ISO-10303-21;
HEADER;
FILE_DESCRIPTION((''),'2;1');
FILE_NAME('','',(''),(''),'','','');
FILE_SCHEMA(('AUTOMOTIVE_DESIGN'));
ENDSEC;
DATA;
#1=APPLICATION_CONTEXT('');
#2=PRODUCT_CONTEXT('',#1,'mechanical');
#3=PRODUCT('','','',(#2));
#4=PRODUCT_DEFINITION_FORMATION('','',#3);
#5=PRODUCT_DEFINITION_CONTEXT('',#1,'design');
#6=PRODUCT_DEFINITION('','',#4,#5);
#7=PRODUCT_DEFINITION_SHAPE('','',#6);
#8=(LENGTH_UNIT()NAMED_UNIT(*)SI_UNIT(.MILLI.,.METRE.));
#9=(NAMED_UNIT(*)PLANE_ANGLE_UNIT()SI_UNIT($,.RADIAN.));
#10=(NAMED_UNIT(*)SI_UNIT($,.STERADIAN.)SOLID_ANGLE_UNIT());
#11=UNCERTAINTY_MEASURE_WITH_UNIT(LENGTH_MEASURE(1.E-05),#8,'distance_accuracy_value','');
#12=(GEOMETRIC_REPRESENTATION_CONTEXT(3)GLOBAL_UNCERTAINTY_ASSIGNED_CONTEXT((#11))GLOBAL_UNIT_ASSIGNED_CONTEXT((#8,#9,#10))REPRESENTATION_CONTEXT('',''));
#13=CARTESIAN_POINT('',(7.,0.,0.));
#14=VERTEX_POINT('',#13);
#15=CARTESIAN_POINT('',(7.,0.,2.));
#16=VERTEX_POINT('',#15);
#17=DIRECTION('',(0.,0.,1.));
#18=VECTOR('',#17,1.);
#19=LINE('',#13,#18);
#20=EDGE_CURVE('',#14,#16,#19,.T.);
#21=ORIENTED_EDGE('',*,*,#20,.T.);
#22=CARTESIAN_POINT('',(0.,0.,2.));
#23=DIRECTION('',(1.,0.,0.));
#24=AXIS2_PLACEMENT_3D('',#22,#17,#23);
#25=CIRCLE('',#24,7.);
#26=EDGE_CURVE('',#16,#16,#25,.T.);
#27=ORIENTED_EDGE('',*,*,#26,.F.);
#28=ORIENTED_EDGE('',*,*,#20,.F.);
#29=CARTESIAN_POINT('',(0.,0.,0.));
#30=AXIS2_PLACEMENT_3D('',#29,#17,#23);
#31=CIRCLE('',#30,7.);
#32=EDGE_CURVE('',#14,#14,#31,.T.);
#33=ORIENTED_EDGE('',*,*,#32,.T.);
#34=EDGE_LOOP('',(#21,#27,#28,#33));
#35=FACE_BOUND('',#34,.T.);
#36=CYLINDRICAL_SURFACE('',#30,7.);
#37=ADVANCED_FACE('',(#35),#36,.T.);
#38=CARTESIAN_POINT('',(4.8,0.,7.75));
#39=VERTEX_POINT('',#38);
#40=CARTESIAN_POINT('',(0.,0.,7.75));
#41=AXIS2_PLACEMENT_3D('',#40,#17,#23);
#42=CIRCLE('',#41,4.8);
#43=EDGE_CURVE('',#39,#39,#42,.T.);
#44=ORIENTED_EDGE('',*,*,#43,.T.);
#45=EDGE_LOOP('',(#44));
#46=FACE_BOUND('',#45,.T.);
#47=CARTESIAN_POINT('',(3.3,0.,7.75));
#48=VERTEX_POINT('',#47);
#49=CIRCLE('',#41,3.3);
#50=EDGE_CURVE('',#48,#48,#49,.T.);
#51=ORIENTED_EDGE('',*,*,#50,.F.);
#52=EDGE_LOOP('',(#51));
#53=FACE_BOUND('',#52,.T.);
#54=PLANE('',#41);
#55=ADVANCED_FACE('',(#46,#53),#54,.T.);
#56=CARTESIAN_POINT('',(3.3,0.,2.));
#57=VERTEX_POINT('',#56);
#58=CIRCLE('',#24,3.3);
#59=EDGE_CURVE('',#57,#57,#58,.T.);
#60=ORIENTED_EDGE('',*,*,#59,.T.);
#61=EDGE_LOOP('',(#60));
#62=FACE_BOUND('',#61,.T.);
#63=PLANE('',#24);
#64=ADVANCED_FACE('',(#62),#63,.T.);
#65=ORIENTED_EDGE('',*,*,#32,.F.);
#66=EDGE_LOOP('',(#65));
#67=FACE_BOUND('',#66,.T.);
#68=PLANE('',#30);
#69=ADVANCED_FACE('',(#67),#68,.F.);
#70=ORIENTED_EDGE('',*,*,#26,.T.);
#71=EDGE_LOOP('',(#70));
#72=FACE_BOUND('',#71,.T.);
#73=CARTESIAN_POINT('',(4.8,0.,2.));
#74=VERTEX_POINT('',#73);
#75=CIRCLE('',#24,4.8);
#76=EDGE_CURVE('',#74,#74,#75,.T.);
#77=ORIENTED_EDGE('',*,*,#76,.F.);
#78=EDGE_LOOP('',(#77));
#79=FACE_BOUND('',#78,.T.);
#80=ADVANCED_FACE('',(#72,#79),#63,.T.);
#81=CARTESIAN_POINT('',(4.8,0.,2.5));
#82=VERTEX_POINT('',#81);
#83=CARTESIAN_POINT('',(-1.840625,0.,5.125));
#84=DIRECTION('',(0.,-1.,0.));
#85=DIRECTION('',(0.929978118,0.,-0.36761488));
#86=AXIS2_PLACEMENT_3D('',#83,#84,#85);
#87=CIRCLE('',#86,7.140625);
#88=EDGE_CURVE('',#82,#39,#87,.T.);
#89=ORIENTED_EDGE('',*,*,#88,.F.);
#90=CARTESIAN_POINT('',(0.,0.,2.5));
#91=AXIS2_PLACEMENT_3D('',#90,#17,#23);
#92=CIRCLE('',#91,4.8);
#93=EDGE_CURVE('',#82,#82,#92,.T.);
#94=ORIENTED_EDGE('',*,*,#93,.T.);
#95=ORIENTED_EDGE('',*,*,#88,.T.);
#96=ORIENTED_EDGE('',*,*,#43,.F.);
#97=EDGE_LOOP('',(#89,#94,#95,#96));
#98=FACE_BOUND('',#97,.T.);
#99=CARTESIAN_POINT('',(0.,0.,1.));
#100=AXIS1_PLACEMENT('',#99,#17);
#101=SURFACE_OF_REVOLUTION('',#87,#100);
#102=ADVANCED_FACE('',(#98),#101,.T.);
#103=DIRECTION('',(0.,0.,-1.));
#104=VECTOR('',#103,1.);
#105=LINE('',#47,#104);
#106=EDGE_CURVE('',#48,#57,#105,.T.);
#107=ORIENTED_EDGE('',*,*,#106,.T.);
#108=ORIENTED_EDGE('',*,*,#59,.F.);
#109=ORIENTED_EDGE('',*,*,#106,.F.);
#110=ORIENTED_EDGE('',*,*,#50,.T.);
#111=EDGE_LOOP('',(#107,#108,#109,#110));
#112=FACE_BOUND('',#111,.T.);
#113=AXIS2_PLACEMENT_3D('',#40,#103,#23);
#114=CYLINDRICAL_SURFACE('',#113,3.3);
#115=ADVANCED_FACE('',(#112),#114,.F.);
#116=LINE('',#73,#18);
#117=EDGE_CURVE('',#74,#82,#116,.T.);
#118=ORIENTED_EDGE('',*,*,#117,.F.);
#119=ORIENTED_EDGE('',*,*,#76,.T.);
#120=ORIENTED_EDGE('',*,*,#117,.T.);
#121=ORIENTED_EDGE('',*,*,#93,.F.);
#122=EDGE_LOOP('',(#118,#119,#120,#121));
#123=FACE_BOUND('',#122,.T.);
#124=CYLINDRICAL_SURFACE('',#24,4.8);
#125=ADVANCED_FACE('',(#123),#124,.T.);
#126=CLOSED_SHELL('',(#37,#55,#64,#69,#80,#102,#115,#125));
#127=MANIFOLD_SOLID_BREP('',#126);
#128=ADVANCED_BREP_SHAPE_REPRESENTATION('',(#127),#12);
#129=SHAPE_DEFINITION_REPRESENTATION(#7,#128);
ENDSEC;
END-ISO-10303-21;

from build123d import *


with BuildPart() as f1:
    # F0 (on Front) → F1 (revolve)
    with BuildSketch(Plane.XZ):
        with BuildLine():
            Line((0, 2), (0, 0))
            Line((0, 0), (7, 0))
            Line((7, 0), (7, 2))
            Line((7, 2), (4.8, 2))
            Line((4.8, 2), (4.8, 2.5))
            ThreePointArc((4.8, 2.5), (5.3, 5.125), (4.8, 7.75))
            Line((4.8, 7.75), (3.3, 7.75))
            Line((3.3, 7.75), (3.3, 2))
            Line((3.3, 2), (0, 2))
        make_face()
    revolve(axis=Axis((0, 0, 1), (0, 0, 1)))


solid = f1.part
